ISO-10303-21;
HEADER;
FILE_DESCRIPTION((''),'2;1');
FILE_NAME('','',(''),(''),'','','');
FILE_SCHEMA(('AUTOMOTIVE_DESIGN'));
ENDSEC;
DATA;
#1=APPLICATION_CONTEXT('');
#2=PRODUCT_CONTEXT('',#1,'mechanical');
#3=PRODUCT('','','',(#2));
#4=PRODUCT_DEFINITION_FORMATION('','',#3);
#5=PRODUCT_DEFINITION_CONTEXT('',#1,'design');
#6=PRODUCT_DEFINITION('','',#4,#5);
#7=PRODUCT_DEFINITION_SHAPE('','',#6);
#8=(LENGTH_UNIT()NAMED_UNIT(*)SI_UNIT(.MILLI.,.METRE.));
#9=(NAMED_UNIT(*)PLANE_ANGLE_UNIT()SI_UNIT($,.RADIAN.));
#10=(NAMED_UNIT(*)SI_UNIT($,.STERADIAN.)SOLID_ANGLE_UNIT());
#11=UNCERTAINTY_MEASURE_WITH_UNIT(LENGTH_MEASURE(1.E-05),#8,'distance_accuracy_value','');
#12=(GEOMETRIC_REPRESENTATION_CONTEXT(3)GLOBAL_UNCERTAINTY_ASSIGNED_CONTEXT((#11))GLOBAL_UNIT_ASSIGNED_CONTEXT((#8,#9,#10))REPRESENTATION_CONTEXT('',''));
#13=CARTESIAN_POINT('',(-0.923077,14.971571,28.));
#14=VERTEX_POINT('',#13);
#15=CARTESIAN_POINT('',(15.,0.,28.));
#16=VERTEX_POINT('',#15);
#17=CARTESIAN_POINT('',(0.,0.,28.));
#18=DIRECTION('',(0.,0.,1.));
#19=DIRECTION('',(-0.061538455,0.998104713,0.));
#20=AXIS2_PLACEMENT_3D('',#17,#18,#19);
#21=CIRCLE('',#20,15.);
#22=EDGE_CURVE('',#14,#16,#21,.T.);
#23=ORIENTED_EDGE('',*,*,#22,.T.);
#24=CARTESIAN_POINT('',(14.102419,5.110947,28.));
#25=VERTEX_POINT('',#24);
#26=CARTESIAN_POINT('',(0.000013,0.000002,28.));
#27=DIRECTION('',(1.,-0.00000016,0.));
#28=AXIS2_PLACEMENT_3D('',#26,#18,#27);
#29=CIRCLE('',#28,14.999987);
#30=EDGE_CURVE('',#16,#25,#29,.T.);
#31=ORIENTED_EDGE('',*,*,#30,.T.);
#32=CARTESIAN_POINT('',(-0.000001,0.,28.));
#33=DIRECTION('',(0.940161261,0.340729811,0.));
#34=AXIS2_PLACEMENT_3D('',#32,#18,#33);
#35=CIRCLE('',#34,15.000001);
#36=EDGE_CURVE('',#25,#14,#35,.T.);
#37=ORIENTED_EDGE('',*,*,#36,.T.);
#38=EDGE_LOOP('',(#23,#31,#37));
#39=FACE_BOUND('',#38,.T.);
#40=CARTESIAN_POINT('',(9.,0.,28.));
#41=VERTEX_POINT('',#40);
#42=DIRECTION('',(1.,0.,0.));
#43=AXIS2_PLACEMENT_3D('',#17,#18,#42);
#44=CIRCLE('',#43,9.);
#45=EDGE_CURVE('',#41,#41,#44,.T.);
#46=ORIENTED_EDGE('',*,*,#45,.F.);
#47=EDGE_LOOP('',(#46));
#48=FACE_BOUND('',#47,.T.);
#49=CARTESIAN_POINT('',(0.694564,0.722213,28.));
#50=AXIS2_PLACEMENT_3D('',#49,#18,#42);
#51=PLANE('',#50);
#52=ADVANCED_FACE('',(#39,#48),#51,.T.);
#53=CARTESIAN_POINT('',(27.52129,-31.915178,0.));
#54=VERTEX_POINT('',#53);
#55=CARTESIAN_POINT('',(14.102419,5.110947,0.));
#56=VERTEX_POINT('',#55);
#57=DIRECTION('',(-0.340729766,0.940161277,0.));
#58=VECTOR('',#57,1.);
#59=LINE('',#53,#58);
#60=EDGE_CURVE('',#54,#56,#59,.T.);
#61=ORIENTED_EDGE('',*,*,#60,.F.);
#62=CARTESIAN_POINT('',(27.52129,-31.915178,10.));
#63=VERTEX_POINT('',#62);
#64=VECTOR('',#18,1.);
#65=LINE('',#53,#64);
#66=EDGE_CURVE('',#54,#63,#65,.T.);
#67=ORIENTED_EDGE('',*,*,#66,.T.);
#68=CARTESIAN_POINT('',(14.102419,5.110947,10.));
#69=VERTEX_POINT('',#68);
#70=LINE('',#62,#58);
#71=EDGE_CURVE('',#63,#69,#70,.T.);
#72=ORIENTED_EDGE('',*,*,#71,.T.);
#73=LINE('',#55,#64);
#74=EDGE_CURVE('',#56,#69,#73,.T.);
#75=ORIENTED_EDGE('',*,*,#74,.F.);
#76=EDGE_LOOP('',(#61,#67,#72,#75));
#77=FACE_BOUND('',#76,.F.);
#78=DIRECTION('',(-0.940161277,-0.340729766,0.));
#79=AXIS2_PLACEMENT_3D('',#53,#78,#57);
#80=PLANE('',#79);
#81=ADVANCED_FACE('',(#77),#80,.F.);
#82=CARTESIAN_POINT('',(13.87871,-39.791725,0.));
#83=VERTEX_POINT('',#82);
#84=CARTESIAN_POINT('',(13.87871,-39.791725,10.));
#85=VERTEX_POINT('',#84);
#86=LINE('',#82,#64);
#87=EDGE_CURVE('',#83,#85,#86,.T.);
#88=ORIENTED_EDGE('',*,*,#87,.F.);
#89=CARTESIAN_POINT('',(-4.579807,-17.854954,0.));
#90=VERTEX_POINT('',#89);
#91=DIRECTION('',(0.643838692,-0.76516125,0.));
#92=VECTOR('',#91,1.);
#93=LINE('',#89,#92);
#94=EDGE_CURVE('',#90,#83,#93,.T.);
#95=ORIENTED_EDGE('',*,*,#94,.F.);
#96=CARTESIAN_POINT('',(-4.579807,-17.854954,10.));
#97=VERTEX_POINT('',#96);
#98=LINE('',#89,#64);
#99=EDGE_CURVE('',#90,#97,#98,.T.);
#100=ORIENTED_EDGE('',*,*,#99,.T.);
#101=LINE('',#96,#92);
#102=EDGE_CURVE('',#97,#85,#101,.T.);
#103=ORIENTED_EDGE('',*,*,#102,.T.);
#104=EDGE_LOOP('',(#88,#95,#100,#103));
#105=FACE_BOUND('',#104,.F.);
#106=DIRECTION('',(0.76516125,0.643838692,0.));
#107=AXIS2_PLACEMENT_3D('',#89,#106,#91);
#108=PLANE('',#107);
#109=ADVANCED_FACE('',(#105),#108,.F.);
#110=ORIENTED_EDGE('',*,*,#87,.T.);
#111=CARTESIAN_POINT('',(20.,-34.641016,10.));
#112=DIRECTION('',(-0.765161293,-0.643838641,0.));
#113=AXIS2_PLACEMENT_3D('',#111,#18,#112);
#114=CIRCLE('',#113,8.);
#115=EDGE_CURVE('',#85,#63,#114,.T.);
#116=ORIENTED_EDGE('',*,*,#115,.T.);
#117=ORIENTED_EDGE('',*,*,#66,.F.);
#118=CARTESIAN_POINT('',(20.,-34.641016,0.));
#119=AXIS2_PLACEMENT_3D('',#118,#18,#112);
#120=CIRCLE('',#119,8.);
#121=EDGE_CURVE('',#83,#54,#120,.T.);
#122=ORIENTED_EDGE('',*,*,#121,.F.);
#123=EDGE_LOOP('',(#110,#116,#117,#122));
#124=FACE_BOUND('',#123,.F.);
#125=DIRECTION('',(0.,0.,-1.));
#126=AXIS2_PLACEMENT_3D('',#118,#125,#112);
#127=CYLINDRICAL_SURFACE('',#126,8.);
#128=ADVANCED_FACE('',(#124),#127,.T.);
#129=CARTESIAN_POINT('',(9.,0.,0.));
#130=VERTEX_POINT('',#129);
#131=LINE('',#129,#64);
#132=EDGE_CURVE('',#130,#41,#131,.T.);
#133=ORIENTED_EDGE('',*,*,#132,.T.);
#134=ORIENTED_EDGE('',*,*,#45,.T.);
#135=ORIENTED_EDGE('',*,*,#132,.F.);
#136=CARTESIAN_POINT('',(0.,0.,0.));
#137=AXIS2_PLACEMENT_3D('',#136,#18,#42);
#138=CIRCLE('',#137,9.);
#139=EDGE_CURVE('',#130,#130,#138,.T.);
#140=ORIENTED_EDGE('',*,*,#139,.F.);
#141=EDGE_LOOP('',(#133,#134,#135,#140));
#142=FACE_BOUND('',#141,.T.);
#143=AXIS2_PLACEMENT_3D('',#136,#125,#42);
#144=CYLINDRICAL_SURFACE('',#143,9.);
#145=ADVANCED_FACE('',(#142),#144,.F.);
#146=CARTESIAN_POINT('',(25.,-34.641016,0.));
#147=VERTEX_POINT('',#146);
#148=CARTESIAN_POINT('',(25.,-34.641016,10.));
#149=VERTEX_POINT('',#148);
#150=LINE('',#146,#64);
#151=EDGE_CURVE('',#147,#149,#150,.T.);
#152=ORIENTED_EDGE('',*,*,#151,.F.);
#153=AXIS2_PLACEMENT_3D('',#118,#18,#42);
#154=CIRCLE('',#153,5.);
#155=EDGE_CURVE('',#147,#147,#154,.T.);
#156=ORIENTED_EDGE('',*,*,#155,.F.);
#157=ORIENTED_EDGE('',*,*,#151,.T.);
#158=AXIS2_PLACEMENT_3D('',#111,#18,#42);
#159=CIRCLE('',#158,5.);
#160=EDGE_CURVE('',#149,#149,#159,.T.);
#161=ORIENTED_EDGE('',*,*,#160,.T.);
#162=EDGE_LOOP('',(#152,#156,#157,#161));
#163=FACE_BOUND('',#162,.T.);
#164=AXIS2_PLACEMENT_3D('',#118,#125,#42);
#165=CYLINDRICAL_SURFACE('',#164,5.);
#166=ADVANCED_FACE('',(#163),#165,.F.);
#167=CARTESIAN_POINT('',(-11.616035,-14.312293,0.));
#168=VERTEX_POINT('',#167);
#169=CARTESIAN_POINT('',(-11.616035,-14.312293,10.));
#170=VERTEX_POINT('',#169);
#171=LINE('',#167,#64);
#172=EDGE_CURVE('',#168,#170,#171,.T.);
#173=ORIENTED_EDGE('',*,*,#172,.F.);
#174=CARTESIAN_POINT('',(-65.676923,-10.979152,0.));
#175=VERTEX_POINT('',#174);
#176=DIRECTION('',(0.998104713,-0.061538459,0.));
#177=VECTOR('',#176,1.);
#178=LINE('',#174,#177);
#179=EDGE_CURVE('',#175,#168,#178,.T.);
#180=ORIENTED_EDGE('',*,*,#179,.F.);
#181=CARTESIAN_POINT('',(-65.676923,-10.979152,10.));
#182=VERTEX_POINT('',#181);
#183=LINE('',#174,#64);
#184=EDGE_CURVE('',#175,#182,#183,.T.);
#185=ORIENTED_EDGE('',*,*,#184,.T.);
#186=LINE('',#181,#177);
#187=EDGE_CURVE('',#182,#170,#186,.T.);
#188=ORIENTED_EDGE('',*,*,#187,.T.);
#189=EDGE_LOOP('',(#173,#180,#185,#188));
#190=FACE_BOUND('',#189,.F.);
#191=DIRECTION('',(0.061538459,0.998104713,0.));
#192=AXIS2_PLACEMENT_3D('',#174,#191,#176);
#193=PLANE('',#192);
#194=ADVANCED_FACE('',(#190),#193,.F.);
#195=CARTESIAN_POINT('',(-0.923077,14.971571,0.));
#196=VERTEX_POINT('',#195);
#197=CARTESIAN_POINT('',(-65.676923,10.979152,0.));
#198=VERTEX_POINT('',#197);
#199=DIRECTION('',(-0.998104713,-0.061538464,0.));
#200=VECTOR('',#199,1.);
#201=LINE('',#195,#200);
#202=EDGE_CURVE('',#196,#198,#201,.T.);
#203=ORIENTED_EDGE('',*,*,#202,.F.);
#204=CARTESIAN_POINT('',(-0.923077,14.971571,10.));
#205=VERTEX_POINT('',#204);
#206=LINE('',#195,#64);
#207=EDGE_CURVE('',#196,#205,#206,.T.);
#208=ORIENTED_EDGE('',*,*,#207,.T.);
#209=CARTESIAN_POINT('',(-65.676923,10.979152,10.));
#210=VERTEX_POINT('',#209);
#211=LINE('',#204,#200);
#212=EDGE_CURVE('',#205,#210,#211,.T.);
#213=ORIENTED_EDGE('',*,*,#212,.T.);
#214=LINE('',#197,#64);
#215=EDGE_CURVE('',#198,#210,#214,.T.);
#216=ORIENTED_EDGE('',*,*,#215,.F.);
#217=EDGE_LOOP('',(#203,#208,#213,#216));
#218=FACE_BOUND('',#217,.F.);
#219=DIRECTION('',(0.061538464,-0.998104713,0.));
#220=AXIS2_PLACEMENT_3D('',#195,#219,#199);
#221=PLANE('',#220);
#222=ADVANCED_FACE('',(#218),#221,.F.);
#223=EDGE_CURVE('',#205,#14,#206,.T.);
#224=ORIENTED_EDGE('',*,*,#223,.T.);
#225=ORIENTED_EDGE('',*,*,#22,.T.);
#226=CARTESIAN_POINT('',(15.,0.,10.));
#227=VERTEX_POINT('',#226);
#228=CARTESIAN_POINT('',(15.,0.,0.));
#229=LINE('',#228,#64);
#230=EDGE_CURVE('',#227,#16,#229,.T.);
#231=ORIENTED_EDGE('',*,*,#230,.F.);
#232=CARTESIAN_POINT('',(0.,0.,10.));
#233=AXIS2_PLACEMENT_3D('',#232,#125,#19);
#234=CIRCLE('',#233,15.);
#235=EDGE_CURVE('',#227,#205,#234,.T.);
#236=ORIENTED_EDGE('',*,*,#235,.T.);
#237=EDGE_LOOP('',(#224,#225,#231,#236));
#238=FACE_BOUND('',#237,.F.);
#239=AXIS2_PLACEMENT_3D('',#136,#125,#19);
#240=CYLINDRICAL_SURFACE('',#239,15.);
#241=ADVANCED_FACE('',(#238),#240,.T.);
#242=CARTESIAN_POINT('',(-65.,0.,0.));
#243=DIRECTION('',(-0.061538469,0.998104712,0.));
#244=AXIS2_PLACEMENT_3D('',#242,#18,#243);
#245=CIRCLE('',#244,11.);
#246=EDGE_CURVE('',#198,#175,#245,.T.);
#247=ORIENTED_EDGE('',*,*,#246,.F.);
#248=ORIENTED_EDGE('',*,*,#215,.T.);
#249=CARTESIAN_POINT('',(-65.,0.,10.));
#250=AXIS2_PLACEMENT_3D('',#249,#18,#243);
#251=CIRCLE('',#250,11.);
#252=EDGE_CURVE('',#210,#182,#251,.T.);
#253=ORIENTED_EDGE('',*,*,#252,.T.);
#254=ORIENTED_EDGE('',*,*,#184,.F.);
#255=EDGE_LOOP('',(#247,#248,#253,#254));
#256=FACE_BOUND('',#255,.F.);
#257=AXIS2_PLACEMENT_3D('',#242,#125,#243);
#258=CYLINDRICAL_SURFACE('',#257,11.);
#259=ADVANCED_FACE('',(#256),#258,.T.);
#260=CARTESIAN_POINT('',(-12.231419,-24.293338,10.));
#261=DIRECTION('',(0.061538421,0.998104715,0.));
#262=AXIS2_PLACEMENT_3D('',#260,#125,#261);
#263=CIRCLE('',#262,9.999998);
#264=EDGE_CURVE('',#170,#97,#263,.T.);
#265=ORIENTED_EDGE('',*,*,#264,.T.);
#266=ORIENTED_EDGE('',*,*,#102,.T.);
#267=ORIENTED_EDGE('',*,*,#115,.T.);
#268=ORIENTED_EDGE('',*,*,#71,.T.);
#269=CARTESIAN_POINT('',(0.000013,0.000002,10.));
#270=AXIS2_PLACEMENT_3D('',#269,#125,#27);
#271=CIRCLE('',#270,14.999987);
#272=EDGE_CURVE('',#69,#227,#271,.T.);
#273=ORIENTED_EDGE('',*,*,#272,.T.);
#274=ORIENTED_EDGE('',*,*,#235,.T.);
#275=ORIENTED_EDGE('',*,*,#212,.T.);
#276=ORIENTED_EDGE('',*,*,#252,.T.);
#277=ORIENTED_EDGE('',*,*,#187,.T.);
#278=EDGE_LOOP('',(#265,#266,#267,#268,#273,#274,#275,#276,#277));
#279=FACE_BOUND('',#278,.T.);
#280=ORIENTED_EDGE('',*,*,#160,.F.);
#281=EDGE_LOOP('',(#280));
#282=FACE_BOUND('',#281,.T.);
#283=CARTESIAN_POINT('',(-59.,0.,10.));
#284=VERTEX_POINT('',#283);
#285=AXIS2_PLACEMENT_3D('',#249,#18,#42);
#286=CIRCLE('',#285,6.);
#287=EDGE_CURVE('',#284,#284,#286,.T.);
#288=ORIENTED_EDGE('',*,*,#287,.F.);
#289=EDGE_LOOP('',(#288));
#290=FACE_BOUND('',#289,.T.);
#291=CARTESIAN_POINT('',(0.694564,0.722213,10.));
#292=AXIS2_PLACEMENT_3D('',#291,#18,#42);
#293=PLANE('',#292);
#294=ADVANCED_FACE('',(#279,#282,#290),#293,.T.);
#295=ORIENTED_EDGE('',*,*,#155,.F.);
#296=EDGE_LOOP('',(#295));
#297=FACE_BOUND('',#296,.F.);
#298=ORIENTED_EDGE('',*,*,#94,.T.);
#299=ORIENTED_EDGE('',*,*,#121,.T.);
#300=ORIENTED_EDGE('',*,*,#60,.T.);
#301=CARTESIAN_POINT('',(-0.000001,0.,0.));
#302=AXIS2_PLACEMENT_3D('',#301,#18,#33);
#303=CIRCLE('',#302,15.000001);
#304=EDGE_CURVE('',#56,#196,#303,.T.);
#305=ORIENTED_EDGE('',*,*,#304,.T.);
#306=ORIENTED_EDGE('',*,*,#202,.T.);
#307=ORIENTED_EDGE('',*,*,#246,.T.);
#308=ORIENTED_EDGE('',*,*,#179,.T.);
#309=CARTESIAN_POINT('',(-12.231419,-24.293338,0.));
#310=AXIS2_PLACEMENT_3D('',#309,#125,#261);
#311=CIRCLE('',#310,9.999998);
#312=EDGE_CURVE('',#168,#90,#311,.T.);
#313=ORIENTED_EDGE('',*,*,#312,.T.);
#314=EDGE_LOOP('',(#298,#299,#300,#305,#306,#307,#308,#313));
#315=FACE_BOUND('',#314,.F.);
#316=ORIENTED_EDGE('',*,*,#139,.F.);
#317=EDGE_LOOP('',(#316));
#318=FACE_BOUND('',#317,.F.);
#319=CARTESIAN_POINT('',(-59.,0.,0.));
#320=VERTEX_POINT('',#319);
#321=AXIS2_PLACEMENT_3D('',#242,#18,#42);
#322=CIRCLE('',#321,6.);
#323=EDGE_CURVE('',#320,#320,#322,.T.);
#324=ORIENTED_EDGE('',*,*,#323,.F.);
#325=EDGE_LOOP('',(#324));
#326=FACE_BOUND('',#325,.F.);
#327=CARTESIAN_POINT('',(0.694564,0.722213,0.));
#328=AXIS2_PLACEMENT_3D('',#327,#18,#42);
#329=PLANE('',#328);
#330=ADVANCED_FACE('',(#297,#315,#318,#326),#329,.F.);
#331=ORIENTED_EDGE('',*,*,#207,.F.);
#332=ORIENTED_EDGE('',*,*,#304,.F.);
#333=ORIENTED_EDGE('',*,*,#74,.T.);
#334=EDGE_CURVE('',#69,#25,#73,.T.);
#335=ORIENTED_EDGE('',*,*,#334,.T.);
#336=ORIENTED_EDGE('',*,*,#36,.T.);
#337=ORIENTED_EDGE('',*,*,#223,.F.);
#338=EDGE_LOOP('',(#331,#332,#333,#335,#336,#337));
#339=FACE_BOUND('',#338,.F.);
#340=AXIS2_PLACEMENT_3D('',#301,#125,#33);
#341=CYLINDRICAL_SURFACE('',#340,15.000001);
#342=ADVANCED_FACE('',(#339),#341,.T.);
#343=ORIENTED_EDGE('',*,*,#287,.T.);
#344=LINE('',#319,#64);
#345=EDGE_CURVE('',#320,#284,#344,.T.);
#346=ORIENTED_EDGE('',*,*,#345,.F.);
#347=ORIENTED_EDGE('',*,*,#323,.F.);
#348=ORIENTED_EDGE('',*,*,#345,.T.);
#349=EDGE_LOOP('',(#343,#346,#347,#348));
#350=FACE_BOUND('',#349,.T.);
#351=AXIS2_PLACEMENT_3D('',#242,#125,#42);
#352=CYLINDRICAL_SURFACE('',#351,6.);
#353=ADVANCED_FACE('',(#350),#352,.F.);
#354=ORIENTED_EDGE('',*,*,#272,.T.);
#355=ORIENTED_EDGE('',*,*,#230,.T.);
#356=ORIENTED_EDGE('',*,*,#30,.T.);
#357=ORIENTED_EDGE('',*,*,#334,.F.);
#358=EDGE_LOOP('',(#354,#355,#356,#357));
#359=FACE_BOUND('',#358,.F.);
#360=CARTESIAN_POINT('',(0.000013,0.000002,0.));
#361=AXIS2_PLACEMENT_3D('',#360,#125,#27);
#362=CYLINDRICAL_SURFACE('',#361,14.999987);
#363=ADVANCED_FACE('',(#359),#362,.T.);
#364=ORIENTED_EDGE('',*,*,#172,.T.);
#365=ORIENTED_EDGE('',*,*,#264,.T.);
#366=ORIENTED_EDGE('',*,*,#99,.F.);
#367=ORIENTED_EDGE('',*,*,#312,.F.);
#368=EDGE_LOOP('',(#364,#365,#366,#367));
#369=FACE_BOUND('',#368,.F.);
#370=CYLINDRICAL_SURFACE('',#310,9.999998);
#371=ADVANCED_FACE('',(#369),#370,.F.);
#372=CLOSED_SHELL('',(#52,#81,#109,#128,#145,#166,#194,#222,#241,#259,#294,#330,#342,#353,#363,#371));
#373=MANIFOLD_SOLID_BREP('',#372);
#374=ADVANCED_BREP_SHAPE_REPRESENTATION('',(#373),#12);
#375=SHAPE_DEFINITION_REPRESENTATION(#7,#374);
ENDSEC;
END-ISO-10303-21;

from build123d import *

# Parameters (mm, degrees)
F0_R     = 9
F1_DEPTH = 28
F0_R_2   = 5
F0_R_3   = 6
F2_DEPTH = 10


with BuildPart() as f1:
    # F0 (on Top) → F1 (new body)
    with BuildSketch(Plane.XY):
        with BuildLine():
            ThreePointArc((-0.923077, 14.971571), (-10.275063, -10.928087), (15, 0))
            ThreePointArc((15, 0), (14.773901, 2.594582), (14.102419, 5.110947))
            ThreePointArc((14.102419, 5.110947), (8.22993, 12.540664), (-0.923077, 14.971571))
        make_face()
        Circle(F0_R, mode=Mode.SUBTRACT)
    extrude(amount=F1_DEPTH)

    # F0 (on Top) → F2 (join)
    with BuildSketch(Plane.XY):
        with BuildLine():
            ThreePointArc((-0.923077, 14.971571), (-10.275063, -10.928087), (15, 0))
            ThreePointArc((15, 0), (14.773901, 2.594582), (14.102419, 5.110947))
            ThreePointArc((14.102419, 5.110947), (8.22993, 12.540664), (-0.923077, 14.971571))
        make_face()
        Circle(F0_R, mode=Mode.SUBTRACT)
        with BuildLine():
            ThreePointArc((14.102419, 5.110947), (14.773901, 2.594582), (15, 0))
            ThreePointArc((15, 0), (-10.275063, -10.928087), (-0.923077, 14.971571))
            Line((-0.923077, 14.971571), (-65.676923, 10.979152))
            ThreePointArc((-65.676923, 10.979152), (-76, 0), (-65.676923, -10.979152))
            Line((-65.676923, -10.979152), (-11.616035, -14.312293))
            ThreePointArc((-11.616035, -14.312293), (-7.734373, -15.361567), (-4.579807, -17.854954))
            Line((-4.579807, -17.854954), (13.87871, -39.791725))
            ThreePointArc((13.87871, -39.791725), (24, -41.569219), (27.52129, -31.915178))
            Line((27.52129, -31.915178), (14.102419, 5.110947))
        make_face()
        with Locations((20, -34.641016)):
            Circle(F0_R_2, mode=Mode.SUBTRACT)
        with Locations((-65, 0)):
            Circle(F0_R_3, mode=Mode.SUBTRACT)
    extrude(amount=F2_DEPTH)


solid = f1.part
